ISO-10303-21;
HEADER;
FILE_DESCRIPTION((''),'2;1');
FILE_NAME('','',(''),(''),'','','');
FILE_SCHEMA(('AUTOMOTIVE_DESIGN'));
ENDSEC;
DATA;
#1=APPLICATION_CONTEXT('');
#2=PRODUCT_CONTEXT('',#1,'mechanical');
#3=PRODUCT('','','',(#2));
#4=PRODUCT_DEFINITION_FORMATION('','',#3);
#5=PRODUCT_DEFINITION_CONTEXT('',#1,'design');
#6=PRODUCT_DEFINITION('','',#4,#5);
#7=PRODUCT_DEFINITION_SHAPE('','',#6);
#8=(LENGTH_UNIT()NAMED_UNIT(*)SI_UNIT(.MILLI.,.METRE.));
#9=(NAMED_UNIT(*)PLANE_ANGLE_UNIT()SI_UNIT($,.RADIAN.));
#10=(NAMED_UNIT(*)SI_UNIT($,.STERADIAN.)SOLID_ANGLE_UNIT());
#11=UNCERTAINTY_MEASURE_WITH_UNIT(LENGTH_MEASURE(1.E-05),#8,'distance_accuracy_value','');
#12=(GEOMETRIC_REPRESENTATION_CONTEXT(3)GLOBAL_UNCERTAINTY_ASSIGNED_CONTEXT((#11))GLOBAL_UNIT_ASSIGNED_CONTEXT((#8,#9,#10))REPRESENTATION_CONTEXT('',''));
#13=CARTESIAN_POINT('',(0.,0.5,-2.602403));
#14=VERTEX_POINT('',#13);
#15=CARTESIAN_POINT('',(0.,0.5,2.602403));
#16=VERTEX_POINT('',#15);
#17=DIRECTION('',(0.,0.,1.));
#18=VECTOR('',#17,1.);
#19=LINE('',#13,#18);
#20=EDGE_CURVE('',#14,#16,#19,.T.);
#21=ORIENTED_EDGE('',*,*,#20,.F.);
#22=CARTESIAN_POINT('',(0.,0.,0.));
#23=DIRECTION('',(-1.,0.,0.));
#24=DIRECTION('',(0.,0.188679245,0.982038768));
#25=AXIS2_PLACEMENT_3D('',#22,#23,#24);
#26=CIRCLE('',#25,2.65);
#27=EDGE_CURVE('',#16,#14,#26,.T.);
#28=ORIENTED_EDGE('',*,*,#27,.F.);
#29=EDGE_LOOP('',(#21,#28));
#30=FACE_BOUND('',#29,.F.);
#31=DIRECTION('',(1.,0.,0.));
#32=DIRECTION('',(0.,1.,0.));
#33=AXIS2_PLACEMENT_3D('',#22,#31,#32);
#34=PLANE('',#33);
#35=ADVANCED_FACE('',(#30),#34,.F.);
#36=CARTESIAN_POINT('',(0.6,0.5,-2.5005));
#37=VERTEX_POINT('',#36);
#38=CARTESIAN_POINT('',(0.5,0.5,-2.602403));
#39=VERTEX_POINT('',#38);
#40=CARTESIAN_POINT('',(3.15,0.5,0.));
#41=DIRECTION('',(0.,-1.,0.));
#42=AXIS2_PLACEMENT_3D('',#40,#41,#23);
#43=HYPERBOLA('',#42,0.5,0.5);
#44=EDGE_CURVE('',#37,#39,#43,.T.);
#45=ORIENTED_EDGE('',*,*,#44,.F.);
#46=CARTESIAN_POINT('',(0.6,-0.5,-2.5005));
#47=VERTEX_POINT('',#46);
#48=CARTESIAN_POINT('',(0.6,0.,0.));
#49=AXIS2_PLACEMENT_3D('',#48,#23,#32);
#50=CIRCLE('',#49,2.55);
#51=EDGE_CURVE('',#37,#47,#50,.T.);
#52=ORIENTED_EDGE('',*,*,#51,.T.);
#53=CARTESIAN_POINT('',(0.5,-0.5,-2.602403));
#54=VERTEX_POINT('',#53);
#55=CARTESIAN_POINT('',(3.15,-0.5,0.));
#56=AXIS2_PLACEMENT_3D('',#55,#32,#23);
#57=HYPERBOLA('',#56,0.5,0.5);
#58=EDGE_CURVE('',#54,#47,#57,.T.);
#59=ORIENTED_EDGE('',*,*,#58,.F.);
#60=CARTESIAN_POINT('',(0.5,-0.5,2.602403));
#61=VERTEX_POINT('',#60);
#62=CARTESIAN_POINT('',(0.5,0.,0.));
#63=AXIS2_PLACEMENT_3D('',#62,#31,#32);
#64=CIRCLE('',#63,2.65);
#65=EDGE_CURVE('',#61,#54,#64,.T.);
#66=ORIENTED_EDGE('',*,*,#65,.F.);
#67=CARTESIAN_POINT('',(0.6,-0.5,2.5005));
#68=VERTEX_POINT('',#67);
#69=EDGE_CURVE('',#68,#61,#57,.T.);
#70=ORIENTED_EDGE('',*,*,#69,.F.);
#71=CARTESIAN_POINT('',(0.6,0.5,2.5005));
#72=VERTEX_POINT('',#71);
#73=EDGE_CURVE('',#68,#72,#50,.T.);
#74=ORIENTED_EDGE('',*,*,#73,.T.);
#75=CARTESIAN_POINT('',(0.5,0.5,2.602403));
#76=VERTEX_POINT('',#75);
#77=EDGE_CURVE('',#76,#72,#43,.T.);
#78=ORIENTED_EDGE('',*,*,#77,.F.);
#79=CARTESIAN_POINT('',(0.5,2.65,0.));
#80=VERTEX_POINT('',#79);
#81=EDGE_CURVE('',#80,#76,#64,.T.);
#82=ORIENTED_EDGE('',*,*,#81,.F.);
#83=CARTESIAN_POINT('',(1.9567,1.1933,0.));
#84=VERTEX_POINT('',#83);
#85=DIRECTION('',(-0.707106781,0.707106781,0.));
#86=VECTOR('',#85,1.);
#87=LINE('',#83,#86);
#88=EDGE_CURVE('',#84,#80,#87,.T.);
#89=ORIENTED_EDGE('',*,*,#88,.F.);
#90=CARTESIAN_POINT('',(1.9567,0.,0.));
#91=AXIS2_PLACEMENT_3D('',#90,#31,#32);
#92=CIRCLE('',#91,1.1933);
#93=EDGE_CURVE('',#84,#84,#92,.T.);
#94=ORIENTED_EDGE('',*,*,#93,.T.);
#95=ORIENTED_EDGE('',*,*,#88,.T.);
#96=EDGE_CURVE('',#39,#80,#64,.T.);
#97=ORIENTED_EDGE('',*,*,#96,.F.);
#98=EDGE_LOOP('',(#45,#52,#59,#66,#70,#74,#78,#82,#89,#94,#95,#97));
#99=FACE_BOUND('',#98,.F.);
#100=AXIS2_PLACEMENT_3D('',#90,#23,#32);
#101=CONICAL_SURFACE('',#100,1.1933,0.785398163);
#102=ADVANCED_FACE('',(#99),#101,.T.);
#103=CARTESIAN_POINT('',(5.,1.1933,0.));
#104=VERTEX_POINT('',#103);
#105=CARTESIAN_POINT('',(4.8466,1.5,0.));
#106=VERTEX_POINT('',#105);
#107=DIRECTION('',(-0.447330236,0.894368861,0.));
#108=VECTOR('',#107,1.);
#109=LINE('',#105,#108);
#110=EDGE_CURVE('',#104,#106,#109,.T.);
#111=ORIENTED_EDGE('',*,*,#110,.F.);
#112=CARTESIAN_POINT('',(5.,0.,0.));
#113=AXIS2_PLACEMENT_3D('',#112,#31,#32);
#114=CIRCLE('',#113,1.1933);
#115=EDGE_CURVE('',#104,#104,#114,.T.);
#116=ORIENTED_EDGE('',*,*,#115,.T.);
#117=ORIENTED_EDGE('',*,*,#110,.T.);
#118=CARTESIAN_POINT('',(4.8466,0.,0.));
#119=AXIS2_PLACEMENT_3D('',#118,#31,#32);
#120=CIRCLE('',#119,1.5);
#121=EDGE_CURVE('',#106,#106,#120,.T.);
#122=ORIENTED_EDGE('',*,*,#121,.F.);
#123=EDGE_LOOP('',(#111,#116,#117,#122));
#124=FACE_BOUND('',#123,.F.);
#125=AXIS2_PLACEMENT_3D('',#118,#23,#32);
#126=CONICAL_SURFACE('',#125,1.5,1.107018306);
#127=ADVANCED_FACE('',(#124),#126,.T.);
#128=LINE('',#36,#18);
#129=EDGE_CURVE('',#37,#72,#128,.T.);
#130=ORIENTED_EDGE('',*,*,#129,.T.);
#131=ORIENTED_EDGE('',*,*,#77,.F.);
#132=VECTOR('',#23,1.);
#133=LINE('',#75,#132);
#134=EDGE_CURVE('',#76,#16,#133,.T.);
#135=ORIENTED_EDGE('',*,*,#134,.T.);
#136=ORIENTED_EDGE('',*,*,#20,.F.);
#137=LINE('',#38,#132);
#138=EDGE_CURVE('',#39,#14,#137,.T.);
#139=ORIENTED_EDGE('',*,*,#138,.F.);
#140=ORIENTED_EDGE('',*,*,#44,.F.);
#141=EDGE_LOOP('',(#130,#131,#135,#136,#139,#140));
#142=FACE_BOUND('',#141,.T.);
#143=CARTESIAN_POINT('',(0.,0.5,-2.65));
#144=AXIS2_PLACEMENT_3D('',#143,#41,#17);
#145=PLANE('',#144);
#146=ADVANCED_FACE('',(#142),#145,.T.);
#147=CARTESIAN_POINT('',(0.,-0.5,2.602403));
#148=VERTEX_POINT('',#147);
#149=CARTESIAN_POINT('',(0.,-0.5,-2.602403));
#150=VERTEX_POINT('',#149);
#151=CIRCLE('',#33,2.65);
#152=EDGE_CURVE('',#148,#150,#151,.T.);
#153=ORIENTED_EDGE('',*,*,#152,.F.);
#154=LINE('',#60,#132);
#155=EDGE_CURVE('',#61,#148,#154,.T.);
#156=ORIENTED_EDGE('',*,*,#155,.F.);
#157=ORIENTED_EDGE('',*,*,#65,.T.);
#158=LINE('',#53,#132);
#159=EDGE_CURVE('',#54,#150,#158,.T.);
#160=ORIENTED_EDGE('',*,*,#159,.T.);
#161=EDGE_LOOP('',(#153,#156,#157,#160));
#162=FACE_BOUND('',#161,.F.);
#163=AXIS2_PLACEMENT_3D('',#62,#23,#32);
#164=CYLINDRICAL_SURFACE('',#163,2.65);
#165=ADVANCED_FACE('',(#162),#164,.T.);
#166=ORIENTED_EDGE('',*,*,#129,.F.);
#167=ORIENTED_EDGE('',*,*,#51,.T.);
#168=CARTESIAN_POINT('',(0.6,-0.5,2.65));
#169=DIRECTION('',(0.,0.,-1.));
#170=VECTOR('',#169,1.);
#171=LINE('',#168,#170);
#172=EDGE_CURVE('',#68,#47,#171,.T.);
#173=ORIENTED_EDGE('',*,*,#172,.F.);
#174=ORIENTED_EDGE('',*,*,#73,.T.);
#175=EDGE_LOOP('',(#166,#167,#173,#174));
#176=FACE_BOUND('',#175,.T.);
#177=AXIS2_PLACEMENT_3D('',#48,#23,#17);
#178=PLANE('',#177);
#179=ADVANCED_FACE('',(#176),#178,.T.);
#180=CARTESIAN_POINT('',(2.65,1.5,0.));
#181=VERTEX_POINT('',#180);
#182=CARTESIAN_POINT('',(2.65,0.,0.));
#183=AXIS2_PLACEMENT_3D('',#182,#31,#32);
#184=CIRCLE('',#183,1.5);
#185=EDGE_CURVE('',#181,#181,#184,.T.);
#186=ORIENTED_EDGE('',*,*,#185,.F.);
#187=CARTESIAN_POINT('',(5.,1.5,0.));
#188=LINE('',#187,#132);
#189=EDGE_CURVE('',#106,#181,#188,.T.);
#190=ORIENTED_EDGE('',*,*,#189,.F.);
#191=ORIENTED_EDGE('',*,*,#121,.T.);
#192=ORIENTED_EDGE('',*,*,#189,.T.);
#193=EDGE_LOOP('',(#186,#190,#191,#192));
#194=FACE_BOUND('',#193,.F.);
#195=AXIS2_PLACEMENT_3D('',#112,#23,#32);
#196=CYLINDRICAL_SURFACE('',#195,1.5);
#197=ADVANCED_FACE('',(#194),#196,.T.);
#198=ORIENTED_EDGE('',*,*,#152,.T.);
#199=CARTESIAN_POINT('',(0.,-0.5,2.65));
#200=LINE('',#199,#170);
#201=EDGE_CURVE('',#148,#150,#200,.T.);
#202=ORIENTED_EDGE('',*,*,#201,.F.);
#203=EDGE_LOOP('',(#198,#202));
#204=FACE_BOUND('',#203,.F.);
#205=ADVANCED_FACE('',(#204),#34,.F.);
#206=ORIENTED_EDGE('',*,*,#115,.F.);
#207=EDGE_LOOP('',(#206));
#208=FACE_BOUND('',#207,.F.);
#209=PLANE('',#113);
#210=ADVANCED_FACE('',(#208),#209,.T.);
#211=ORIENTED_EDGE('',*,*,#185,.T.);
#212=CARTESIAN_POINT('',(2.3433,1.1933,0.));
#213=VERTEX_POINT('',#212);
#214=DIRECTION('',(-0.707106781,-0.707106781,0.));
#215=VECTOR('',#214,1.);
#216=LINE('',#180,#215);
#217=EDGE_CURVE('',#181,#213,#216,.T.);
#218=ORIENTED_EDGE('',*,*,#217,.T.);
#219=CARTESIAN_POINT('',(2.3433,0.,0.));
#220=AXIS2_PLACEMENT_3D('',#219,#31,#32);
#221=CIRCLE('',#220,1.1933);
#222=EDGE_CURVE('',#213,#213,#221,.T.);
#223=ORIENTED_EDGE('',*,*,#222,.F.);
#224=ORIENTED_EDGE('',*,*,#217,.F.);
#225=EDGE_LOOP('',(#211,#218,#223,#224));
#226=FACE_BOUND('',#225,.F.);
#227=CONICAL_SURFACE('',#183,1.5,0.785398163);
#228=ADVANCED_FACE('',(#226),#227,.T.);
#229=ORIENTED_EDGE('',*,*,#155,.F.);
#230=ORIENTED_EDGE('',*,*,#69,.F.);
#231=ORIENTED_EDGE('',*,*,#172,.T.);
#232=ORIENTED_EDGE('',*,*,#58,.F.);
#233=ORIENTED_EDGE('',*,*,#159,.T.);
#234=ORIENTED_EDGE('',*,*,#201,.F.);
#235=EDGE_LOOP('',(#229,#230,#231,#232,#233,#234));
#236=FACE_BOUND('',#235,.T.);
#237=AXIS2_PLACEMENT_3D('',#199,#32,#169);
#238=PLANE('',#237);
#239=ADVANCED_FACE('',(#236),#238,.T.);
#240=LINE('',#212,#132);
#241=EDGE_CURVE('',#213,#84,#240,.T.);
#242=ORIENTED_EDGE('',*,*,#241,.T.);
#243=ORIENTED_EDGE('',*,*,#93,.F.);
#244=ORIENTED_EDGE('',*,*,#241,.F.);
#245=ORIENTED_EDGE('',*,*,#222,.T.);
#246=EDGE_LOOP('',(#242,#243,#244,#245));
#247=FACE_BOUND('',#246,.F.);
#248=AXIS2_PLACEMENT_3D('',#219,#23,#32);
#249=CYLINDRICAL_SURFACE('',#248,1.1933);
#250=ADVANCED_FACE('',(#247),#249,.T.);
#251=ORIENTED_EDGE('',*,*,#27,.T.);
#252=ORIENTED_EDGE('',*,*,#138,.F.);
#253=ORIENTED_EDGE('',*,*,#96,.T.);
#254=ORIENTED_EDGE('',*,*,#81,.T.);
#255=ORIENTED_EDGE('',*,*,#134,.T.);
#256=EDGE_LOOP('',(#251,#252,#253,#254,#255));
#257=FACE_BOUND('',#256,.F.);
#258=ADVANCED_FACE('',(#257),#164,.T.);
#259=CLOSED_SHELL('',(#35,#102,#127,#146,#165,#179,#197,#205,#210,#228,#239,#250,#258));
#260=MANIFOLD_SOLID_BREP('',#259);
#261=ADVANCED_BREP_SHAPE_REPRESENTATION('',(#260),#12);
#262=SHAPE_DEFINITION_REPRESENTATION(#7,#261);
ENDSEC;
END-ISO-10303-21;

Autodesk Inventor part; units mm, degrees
ref_plane "YZ Plane" through (0, 0, 0) normal (1, 0, 0) x (0, 1, 0)
ref_plane "XZ Plane" through (0, 0, 0) normal (0, 1, 0) x (-1, 0, 0)
sketch "Skizze1" plane through (0, 0, 0) normal (0, 0, 1) x (1, 0, 0)
  line L0 (0, 0) -> (5, 0)
  line L1 (5, 0) -> (5, 1.5)
  line L2 (5, 1.5) -> (2.65, 1.5)
  line L3 (2.65, 1.5) -> (2.3433, 1.1933)
  line L4 (2.3433, 1.1933) -> (1.9567, 1.1933)
  line L5 (1.9567, 1.1933) -> (0.5, 2.65)
  line L6 (0.5, 2.65) -> (0, 2.65)
  line L7 (0, 2.65) -> (0, 0)
  line L8 (2.65, 1.5) -> (1.65, 1.5) construction
  line L9 (-1, 0) -> (6, 0) projected
  line L10 (0, 3.18) -> (0, -0.53) projected
  dimension "d0" = 5
  dimension "d1" = 45
  dimension "d2" = 0.3067
  dimension "d3" = 2.35
  dimension "d4" = 1.65
  dimension "d5" = 2.3866
  dimension "d6" = 3
  dimension "d7" = 5.3
revolve "Körper" add sketch "Skizze1" angle 360 about axis through (0, 0, 0) along (1, 0, 0)
sketch "Skizze2" plane through (0, 0, 0) normal (-1, 0, 0) x (0, 0, 1)
  line L0 (2.65, -0.5) -> (-2.65, -0.5)
  line L1 (-2.65, -0.5) -> (-2.65, 0.5)
  line L2 (-2.65, 0.5) -> (2.65, 0.5)
  line L3 (2.65, 0.5) -> (2.65, -0.5)
  line L4 (0, 0.5) -> (0, -0.5) construction
  line L5 (-2.65, 0) -> (2.65, 0) construction
  line L6 (0, 2.65) -> (0, 0) projected
  dimension "d15" = 1
  dimension "d16" = 5.3
extrude "Loch" cut sketch "Skizze2" against normal blind 0.6
thread "Gewinde" size "M3x0.5" class "6g" standard "ISO Metric profile" length 2.35
chamfer "Fase1" distance 0.3067 distance2 0.1534 1 edges at (5, -1.5, 0) measured on face at (5, 0.263, 0.1197)
ref_plane "Work Plane1" through (33.575, 0, 0) normal (0, 0, -1) x (1, 0, 0)
equation "\"d0\" = NLG"
equation "\"d1\" = 0.5 * SEWI"
equation "\"d2\" = GAL"
equation "\"d3\" = GEL"
equation "\"d4\" = KOH"
equation "\"d5\" = BDM"
equation "\"d6\" = GD"
equation "\"d7\" = KOD"
equation "\"d15\" = SBR"
equation "\"d16\" = KOD"
equation "\"d8\" = STI"
equation "\"d10\" = GEL"
equation "\"d12\" = -0.5 * SPD + 0.5 * GD"
equation "\"d13\" = 0.5 * GAL"
equation "\"NLG\" = 5"
equation "\"GAL\" = 0.61345 * PTC"
equation "\"GEL\" = 2.35"
equation "\"KOH\" = 1.65"
equation "\"KOD\" = 5.3"
equation "\"SEWI\" = 90deg"
equation "\"BDM\" = NND - 1.2269 * PTC"
equation "\"GD\" = NND"
equation "\"SBR\" = 1"
equation "\"STI\" = 0.6"
equation "\"SPD\" = NND - 1.2269 * PTC"
equation "\"GUL\" = 0.61345 * PTC"
equation "\"PTC\" = 0.5"
equation "\"EPV\" = 3.15"
equation "\"THREADDIA\" = 3"
equation "\"TOA\" = 30deg"
equation "\"RR\" = 0.3"
equation "\"NND\" = 3"
equation "\"GD1\" = THREADDIA - 1.2269 * PTC"
properties part number "AS 1427 - M3 x 5" material "Steel, Mild"
